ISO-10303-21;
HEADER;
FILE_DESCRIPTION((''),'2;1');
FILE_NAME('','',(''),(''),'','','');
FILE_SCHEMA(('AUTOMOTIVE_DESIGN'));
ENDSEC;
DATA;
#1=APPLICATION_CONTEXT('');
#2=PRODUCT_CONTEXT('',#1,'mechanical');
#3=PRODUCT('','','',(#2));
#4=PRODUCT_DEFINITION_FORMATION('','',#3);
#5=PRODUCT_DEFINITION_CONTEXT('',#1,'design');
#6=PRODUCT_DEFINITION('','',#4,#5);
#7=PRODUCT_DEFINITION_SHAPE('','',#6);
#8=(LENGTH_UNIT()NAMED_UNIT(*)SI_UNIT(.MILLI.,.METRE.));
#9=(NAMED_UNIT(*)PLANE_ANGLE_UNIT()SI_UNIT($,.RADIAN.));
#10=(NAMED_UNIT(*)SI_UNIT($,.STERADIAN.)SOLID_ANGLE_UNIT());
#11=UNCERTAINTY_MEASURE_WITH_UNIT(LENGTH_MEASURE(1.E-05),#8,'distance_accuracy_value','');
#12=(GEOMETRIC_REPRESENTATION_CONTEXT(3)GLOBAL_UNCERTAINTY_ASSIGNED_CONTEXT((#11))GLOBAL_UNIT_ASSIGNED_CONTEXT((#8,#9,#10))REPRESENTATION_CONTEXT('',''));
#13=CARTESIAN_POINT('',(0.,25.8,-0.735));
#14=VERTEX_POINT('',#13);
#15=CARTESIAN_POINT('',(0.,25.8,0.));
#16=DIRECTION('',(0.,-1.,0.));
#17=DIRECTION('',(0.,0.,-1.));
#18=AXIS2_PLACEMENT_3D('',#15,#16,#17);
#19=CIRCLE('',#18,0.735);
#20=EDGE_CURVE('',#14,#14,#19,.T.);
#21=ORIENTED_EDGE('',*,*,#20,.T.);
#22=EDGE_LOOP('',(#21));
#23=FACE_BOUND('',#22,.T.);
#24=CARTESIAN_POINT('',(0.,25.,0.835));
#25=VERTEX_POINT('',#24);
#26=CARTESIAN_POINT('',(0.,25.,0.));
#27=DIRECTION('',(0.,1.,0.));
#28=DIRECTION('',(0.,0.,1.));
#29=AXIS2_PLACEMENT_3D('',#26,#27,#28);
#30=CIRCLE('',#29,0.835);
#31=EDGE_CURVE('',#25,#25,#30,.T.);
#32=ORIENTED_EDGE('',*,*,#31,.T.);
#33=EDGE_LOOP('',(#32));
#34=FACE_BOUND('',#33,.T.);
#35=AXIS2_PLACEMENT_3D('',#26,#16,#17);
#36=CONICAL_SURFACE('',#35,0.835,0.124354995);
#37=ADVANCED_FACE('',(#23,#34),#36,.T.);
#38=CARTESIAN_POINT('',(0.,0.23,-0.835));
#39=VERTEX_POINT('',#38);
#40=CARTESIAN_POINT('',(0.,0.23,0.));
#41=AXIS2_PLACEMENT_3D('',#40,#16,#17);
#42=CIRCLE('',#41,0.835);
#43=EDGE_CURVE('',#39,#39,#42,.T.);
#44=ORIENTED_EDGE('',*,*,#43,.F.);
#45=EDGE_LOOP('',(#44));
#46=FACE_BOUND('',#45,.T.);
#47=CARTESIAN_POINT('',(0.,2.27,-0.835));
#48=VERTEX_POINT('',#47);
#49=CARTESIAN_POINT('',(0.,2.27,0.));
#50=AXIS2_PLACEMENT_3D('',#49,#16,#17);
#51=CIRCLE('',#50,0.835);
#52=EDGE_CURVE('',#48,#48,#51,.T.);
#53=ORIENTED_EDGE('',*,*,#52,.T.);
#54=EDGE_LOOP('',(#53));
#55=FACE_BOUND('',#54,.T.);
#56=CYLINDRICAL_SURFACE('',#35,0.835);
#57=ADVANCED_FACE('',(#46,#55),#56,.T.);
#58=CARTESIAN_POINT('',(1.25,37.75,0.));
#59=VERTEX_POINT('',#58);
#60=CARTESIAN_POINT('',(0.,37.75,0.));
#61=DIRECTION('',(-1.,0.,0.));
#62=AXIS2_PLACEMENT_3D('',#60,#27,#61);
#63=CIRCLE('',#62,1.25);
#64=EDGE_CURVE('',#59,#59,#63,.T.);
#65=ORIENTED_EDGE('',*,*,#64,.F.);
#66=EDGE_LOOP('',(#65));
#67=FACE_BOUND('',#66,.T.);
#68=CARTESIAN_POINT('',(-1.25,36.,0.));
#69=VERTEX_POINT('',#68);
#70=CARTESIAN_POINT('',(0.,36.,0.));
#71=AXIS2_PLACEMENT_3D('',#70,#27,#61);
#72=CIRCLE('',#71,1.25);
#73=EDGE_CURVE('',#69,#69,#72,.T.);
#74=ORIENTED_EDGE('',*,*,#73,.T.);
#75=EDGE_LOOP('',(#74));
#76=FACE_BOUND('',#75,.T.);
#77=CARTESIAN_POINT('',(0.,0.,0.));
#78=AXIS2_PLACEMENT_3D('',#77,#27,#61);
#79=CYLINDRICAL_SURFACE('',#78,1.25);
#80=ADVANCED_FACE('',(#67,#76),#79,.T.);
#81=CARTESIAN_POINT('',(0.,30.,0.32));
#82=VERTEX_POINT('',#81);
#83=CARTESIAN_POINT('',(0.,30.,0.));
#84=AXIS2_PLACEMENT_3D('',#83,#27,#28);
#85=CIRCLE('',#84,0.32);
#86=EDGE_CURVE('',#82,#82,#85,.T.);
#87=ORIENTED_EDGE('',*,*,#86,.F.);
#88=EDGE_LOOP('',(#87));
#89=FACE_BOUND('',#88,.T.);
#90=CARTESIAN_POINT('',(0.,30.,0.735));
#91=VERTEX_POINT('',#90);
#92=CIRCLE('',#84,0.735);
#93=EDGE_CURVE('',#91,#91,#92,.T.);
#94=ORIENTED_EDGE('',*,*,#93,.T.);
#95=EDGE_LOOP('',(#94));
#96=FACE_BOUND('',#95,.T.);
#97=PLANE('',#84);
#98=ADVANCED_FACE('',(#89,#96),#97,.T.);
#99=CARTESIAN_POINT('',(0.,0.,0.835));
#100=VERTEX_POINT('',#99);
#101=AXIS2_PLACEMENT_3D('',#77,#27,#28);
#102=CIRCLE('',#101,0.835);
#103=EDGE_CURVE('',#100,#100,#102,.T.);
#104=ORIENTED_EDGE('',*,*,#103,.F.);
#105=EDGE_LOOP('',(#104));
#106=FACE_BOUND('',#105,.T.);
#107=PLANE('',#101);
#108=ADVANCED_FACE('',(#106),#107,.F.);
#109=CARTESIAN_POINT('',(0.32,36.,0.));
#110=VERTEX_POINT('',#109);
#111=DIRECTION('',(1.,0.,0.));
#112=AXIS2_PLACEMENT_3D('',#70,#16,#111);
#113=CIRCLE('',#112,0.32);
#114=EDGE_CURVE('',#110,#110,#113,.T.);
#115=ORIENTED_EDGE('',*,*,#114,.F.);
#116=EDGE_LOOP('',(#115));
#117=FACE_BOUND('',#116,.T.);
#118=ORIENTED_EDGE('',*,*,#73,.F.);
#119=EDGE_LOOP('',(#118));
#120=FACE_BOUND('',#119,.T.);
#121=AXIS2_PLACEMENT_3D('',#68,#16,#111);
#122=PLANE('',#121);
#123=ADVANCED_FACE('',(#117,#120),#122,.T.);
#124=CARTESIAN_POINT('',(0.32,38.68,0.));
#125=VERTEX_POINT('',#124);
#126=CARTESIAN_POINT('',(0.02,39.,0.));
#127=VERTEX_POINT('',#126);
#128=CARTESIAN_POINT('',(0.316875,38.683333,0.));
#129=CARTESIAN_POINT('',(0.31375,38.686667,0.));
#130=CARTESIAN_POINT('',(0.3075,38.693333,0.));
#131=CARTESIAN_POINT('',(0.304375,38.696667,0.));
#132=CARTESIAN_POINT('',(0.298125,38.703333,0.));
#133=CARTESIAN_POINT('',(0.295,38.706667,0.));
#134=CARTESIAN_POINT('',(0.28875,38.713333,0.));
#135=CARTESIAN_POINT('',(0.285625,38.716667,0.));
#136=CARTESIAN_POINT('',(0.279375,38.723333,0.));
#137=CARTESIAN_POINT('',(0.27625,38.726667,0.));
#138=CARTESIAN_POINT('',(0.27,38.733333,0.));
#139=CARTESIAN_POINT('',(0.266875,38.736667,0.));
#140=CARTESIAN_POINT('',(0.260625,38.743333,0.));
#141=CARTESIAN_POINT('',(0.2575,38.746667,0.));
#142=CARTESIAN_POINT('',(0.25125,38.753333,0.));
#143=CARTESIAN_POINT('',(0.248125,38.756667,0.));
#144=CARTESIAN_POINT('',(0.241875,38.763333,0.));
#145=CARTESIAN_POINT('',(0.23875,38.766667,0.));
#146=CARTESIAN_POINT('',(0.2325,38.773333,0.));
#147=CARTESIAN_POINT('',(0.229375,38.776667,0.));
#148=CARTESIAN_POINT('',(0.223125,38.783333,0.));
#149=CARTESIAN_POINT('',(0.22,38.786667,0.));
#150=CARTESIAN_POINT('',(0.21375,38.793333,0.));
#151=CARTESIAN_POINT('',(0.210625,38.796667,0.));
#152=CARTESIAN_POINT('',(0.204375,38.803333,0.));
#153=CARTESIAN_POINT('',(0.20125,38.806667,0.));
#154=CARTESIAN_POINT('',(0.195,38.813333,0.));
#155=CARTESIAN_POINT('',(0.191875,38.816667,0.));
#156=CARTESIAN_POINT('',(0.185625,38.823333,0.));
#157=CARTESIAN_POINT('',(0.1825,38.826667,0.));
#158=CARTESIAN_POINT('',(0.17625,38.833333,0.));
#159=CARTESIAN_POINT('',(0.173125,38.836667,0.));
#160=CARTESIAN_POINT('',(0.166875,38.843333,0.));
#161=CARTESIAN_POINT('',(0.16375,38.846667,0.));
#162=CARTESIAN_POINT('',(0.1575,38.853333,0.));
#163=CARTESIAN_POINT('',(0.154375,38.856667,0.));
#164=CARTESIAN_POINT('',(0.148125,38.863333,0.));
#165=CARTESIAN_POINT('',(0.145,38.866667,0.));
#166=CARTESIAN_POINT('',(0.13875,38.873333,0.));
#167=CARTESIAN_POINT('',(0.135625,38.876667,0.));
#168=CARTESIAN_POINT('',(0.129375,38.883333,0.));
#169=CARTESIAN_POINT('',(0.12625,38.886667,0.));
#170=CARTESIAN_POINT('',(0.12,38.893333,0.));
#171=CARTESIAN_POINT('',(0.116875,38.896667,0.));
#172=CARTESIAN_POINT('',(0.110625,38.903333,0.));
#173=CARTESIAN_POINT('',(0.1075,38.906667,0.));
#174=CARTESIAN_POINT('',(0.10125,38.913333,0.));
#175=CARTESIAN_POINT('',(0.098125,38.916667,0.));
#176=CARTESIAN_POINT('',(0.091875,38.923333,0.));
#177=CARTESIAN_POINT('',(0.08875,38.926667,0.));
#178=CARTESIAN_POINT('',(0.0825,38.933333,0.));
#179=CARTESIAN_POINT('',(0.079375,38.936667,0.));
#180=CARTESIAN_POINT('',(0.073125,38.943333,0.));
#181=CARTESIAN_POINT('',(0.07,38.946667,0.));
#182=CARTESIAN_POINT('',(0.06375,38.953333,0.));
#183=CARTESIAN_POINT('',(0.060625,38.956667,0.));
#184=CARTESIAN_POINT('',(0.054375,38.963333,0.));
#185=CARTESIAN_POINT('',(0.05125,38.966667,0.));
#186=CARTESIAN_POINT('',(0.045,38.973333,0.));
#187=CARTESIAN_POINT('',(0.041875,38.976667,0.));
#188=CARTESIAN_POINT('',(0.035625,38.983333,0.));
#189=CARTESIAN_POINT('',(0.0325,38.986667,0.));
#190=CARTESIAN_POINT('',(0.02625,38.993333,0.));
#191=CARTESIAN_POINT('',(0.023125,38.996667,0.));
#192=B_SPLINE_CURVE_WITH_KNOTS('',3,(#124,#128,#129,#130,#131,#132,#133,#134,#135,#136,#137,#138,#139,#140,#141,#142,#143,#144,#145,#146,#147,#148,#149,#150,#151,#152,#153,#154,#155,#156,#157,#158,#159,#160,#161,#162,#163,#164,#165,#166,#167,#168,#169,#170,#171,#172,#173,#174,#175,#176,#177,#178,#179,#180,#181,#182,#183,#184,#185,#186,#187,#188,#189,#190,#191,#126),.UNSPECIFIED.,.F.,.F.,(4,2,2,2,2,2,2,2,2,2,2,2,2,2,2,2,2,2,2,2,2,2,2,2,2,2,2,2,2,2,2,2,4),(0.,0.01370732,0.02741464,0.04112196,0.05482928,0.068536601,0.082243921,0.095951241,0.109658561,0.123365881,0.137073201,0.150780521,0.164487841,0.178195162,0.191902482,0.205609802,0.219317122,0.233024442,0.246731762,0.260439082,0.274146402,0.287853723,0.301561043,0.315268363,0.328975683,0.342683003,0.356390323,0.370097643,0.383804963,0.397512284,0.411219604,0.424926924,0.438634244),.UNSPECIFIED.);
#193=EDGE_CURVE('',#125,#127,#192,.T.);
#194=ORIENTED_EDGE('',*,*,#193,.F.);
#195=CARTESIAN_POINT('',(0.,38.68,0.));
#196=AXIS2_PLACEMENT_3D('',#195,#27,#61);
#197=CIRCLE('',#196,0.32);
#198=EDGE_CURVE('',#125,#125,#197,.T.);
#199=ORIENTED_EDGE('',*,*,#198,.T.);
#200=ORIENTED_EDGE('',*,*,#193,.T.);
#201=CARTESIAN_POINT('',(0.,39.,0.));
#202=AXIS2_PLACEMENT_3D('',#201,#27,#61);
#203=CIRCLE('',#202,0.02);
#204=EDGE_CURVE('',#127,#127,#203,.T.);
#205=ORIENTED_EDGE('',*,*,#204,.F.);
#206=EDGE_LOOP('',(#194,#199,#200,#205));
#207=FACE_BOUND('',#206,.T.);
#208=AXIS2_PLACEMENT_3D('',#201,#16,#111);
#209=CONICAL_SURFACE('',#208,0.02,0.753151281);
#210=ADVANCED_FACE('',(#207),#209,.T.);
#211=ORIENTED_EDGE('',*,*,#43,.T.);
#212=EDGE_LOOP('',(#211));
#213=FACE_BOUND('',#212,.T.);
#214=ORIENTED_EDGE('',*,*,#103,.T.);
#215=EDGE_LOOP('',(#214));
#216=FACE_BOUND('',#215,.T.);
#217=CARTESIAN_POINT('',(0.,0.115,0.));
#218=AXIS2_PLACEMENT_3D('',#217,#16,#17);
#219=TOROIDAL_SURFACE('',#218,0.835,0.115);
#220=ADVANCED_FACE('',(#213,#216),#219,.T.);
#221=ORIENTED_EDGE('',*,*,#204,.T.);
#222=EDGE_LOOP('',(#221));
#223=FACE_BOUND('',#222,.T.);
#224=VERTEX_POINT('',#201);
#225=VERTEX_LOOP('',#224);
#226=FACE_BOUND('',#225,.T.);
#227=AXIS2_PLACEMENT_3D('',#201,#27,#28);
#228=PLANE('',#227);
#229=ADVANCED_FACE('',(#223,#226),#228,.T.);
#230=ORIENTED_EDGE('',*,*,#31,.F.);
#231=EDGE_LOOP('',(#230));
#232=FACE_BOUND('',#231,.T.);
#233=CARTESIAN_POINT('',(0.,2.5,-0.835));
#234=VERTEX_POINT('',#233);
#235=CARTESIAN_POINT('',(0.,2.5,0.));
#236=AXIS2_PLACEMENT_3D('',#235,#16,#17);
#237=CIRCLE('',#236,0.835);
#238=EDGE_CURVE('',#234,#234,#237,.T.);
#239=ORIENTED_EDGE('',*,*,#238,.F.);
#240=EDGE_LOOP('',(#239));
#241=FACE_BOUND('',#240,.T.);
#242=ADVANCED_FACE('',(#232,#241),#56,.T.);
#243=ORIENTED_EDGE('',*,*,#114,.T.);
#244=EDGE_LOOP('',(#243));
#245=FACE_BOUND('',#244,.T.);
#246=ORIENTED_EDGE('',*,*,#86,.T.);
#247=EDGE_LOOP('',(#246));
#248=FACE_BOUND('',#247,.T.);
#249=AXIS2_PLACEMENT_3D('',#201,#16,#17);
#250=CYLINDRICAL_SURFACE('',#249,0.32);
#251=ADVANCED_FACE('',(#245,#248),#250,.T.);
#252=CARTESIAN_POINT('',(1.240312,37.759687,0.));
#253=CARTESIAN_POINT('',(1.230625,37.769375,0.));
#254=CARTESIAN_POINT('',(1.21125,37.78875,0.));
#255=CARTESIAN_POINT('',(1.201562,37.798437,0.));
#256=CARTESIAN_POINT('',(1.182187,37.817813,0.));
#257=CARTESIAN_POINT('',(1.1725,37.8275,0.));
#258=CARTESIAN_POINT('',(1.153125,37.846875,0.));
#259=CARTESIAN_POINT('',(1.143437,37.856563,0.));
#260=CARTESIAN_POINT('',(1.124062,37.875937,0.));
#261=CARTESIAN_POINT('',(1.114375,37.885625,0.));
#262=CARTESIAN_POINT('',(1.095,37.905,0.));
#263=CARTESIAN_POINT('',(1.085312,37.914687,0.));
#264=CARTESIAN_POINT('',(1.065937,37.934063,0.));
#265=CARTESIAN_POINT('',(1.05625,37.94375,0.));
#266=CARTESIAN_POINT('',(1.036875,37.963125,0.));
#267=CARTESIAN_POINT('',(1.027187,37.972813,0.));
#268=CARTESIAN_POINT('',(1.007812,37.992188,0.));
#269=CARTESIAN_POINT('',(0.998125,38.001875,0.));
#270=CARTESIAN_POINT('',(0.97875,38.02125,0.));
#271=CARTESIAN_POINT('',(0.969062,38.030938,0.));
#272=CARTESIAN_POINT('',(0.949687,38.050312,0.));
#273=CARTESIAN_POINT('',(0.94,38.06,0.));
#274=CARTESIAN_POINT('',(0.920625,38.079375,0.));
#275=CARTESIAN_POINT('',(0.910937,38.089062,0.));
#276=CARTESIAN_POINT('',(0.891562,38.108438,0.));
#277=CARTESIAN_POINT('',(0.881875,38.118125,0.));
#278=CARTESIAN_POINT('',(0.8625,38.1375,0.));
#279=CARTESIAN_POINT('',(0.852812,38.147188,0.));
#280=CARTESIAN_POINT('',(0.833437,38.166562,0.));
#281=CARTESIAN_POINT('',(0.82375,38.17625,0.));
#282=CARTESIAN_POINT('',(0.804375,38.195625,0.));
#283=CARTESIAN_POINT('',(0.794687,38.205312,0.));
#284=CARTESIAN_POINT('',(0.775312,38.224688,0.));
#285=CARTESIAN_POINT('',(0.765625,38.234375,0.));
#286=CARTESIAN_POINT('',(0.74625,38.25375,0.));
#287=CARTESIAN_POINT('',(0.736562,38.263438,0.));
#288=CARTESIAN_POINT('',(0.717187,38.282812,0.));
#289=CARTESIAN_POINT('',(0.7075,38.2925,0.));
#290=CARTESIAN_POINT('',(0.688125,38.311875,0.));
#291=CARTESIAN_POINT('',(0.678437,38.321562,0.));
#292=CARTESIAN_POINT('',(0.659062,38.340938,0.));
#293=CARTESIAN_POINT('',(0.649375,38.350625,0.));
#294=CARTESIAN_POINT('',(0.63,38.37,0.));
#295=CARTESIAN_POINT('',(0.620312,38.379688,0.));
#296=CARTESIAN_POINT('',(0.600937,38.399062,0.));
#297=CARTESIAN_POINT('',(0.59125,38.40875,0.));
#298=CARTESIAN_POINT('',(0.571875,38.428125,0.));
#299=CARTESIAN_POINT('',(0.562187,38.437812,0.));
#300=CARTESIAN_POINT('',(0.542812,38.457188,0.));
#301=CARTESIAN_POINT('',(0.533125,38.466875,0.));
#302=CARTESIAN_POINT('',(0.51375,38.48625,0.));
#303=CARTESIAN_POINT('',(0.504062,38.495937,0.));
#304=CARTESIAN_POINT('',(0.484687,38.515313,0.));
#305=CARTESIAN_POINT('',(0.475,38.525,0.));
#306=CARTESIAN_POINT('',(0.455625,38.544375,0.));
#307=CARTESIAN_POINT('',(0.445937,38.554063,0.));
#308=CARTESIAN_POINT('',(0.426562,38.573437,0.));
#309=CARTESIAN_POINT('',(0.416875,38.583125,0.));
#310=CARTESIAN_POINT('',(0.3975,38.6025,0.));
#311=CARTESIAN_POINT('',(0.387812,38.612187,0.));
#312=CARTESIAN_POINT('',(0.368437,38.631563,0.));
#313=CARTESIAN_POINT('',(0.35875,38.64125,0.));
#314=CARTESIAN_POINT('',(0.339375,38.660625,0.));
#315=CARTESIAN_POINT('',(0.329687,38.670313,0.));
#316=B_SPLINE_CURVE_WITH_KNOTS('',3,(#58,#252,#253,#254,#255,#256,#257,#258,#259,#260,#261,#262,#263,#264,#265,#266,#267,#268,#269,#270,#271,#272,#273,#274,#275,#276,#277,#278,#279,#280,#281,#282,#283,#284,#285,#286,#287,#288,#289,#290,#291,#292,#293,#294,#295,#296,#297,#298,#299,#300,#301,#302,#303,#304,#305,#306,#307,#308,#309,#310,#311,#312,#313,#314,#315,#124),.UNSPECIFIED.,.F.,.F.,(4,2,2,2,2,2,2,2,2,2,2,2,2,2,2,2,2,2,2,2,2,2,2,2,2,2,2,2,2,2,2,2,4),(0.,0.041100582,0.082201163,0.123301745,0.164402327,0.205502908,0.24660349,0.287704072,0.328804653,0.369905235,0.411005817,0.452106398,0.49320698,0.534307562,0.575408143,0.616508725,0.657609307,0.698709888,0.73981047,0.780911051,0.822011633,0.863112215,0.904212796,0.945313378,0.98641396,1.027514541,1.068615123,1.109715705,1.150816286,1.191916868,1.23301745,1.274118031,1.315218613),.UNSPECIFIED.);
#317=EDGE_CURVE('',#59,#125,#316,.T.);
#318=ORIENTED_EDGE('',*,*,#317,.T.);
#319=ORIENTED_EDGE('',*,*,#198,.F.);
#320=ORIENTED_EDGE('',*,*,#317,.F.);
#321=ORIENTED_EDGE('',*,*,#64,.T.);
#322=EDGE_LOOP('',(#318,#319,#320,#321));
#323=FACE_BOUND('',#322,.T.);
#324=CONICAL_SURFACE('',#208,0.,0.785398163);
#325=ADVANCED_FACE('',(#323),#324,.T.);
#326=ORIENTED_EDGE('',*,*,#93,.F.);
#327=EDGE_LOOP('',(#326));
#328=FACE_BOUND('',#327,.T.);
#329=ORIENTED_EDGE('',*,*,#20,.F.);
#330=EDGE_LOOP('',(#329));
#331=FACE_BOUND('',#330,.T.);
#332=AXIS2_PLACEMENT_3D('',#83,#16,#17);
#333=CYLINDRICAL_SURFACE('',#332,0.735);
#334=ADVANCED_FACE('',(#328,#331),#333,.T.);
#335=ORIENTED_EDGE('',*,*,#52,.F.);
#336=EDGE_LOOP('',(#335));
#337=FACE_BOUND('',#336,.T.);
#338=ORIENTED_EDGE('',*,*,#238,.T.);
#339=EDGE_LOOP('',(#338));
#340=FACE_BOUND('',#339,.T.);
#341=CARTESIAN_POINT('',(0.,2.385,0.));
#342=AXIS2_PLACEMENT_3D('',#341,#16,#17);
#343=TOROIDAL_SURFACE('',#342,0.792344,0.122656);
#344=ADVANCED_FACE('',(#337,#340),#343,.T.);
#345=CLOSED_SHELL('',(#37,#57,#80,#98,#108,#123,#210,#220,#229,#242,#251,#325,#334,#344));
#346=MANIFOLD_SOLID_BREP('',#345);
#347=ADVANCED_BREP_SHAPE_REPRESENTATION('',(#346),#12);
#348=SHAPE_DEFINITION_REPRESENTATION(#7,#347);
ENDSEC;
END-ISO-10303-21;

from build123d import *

# Parameters (mm, degrees)
SKETCH_1_R      = 0.835
EXTRUDE_1_DEPTH = 25
SKETCH_2_R      = 0.735
EXTRUDE_2_DEPTH = 5
SKETCH_3_R      = 0.32
EXTRUDE_3_DEPTH = 9


with BuildPart() as part:
    # 草图1 → 凸台-拉伸1 (new body)
    with BuildSketch(Plane(origin=(0, 0, 0), x_dir=(1, 0, 0), z_dir=(0, 1, 0))):
        with Locations(Location((0, 0, 0), (0, 0, 270))):
            Circle(SKETCH_1_R)
    extrude(amount=EXTRUDE_1_DEPTH)

    # 草图2 → 凸台-拉伸2 (add)
    with BuildSketch(Plane(origin=(0, 25, 0), x_dir=(1, 0, 0), z_dir=(0, 1, 0))):
        with Locations(Location((0, 0, 0), (0, 0, 270))):
            Circle(SKETCH_2_R)
    extrude(amount=EXTRUDE_2_DEPTH)

    # 草图3 → 凸台-拉伸3 (add)
    with BuildSketch(Plane(origin=(0, 30, 0), x_dir=(1, 0, 0), z_dir=(0, 1, 0))):
        with Locations(Location((0, 0, 0), (0, 0, 270))):
            Circle(SKETCH_3_R)
    extrude(amount=EXTRUDE_3_DEPTH)

    # 草图5 → 旋转1 (revolve)
    with BuildSketch(Plane.XY, mode=Mode.PRIVATE) as revolve_1_sk:
        Polygon((0.835, 25), (0.735, 25.8), (0.735, 25), align=None)
        with BuildLine():
            Line((0.835, 0.23), (0.835, 0))
            ThreePointArc((0.835, 0), (0.95, 0.115), (0.835, 0.23))
        make_face()
        with BuildLine():
            Line((0.835, 2.5), (0.835, 2.27))
            ThreePointArc((0.835, 2.27), (0.915, 2.385), (0.835, 2.5))
        make_face()
    revolve(revolve_1_sk.sketch.rotate(Axis((0, 0, 0), (0, 1, 0)), 90), axis=Axis((0, 0, 0), (0, 1, 0)))

    # 草图6 → 旋转2 (revolve)
    with BuildSketch(Plane.XY, mode=Mode.PRIVATE) as revolve_2_sk:
        Polygon((0, 39), (-1.25, 37.75), (-1.25, 36), (0, 36), align=None)
    revolve(revolve_2_sk.sketch.rotate(Axis((0, 0, 0), (0, -1, 0)), 90), axis=Axis((0, 0, 0), (0, -1, 0)))

    # 草图7 → 切除-旋转5 (revolve, cut)
    with BuildSketch(Plane.XY, mode=Mode.PRIVATE) as cut_revolve_5_sk:
        Polygon((0.32, 39), (0.02, 39), (0.32, 38.68), align=None)
    revolve(cut_revolve_5_sk.sketch.rotate(Axis((0, 0, 0), (0, -1, 0)), 270), axis=Axis((0, 0, 0), (0, -1, 0)), mode=Mode.SUBTRACT)


solid = part.part
